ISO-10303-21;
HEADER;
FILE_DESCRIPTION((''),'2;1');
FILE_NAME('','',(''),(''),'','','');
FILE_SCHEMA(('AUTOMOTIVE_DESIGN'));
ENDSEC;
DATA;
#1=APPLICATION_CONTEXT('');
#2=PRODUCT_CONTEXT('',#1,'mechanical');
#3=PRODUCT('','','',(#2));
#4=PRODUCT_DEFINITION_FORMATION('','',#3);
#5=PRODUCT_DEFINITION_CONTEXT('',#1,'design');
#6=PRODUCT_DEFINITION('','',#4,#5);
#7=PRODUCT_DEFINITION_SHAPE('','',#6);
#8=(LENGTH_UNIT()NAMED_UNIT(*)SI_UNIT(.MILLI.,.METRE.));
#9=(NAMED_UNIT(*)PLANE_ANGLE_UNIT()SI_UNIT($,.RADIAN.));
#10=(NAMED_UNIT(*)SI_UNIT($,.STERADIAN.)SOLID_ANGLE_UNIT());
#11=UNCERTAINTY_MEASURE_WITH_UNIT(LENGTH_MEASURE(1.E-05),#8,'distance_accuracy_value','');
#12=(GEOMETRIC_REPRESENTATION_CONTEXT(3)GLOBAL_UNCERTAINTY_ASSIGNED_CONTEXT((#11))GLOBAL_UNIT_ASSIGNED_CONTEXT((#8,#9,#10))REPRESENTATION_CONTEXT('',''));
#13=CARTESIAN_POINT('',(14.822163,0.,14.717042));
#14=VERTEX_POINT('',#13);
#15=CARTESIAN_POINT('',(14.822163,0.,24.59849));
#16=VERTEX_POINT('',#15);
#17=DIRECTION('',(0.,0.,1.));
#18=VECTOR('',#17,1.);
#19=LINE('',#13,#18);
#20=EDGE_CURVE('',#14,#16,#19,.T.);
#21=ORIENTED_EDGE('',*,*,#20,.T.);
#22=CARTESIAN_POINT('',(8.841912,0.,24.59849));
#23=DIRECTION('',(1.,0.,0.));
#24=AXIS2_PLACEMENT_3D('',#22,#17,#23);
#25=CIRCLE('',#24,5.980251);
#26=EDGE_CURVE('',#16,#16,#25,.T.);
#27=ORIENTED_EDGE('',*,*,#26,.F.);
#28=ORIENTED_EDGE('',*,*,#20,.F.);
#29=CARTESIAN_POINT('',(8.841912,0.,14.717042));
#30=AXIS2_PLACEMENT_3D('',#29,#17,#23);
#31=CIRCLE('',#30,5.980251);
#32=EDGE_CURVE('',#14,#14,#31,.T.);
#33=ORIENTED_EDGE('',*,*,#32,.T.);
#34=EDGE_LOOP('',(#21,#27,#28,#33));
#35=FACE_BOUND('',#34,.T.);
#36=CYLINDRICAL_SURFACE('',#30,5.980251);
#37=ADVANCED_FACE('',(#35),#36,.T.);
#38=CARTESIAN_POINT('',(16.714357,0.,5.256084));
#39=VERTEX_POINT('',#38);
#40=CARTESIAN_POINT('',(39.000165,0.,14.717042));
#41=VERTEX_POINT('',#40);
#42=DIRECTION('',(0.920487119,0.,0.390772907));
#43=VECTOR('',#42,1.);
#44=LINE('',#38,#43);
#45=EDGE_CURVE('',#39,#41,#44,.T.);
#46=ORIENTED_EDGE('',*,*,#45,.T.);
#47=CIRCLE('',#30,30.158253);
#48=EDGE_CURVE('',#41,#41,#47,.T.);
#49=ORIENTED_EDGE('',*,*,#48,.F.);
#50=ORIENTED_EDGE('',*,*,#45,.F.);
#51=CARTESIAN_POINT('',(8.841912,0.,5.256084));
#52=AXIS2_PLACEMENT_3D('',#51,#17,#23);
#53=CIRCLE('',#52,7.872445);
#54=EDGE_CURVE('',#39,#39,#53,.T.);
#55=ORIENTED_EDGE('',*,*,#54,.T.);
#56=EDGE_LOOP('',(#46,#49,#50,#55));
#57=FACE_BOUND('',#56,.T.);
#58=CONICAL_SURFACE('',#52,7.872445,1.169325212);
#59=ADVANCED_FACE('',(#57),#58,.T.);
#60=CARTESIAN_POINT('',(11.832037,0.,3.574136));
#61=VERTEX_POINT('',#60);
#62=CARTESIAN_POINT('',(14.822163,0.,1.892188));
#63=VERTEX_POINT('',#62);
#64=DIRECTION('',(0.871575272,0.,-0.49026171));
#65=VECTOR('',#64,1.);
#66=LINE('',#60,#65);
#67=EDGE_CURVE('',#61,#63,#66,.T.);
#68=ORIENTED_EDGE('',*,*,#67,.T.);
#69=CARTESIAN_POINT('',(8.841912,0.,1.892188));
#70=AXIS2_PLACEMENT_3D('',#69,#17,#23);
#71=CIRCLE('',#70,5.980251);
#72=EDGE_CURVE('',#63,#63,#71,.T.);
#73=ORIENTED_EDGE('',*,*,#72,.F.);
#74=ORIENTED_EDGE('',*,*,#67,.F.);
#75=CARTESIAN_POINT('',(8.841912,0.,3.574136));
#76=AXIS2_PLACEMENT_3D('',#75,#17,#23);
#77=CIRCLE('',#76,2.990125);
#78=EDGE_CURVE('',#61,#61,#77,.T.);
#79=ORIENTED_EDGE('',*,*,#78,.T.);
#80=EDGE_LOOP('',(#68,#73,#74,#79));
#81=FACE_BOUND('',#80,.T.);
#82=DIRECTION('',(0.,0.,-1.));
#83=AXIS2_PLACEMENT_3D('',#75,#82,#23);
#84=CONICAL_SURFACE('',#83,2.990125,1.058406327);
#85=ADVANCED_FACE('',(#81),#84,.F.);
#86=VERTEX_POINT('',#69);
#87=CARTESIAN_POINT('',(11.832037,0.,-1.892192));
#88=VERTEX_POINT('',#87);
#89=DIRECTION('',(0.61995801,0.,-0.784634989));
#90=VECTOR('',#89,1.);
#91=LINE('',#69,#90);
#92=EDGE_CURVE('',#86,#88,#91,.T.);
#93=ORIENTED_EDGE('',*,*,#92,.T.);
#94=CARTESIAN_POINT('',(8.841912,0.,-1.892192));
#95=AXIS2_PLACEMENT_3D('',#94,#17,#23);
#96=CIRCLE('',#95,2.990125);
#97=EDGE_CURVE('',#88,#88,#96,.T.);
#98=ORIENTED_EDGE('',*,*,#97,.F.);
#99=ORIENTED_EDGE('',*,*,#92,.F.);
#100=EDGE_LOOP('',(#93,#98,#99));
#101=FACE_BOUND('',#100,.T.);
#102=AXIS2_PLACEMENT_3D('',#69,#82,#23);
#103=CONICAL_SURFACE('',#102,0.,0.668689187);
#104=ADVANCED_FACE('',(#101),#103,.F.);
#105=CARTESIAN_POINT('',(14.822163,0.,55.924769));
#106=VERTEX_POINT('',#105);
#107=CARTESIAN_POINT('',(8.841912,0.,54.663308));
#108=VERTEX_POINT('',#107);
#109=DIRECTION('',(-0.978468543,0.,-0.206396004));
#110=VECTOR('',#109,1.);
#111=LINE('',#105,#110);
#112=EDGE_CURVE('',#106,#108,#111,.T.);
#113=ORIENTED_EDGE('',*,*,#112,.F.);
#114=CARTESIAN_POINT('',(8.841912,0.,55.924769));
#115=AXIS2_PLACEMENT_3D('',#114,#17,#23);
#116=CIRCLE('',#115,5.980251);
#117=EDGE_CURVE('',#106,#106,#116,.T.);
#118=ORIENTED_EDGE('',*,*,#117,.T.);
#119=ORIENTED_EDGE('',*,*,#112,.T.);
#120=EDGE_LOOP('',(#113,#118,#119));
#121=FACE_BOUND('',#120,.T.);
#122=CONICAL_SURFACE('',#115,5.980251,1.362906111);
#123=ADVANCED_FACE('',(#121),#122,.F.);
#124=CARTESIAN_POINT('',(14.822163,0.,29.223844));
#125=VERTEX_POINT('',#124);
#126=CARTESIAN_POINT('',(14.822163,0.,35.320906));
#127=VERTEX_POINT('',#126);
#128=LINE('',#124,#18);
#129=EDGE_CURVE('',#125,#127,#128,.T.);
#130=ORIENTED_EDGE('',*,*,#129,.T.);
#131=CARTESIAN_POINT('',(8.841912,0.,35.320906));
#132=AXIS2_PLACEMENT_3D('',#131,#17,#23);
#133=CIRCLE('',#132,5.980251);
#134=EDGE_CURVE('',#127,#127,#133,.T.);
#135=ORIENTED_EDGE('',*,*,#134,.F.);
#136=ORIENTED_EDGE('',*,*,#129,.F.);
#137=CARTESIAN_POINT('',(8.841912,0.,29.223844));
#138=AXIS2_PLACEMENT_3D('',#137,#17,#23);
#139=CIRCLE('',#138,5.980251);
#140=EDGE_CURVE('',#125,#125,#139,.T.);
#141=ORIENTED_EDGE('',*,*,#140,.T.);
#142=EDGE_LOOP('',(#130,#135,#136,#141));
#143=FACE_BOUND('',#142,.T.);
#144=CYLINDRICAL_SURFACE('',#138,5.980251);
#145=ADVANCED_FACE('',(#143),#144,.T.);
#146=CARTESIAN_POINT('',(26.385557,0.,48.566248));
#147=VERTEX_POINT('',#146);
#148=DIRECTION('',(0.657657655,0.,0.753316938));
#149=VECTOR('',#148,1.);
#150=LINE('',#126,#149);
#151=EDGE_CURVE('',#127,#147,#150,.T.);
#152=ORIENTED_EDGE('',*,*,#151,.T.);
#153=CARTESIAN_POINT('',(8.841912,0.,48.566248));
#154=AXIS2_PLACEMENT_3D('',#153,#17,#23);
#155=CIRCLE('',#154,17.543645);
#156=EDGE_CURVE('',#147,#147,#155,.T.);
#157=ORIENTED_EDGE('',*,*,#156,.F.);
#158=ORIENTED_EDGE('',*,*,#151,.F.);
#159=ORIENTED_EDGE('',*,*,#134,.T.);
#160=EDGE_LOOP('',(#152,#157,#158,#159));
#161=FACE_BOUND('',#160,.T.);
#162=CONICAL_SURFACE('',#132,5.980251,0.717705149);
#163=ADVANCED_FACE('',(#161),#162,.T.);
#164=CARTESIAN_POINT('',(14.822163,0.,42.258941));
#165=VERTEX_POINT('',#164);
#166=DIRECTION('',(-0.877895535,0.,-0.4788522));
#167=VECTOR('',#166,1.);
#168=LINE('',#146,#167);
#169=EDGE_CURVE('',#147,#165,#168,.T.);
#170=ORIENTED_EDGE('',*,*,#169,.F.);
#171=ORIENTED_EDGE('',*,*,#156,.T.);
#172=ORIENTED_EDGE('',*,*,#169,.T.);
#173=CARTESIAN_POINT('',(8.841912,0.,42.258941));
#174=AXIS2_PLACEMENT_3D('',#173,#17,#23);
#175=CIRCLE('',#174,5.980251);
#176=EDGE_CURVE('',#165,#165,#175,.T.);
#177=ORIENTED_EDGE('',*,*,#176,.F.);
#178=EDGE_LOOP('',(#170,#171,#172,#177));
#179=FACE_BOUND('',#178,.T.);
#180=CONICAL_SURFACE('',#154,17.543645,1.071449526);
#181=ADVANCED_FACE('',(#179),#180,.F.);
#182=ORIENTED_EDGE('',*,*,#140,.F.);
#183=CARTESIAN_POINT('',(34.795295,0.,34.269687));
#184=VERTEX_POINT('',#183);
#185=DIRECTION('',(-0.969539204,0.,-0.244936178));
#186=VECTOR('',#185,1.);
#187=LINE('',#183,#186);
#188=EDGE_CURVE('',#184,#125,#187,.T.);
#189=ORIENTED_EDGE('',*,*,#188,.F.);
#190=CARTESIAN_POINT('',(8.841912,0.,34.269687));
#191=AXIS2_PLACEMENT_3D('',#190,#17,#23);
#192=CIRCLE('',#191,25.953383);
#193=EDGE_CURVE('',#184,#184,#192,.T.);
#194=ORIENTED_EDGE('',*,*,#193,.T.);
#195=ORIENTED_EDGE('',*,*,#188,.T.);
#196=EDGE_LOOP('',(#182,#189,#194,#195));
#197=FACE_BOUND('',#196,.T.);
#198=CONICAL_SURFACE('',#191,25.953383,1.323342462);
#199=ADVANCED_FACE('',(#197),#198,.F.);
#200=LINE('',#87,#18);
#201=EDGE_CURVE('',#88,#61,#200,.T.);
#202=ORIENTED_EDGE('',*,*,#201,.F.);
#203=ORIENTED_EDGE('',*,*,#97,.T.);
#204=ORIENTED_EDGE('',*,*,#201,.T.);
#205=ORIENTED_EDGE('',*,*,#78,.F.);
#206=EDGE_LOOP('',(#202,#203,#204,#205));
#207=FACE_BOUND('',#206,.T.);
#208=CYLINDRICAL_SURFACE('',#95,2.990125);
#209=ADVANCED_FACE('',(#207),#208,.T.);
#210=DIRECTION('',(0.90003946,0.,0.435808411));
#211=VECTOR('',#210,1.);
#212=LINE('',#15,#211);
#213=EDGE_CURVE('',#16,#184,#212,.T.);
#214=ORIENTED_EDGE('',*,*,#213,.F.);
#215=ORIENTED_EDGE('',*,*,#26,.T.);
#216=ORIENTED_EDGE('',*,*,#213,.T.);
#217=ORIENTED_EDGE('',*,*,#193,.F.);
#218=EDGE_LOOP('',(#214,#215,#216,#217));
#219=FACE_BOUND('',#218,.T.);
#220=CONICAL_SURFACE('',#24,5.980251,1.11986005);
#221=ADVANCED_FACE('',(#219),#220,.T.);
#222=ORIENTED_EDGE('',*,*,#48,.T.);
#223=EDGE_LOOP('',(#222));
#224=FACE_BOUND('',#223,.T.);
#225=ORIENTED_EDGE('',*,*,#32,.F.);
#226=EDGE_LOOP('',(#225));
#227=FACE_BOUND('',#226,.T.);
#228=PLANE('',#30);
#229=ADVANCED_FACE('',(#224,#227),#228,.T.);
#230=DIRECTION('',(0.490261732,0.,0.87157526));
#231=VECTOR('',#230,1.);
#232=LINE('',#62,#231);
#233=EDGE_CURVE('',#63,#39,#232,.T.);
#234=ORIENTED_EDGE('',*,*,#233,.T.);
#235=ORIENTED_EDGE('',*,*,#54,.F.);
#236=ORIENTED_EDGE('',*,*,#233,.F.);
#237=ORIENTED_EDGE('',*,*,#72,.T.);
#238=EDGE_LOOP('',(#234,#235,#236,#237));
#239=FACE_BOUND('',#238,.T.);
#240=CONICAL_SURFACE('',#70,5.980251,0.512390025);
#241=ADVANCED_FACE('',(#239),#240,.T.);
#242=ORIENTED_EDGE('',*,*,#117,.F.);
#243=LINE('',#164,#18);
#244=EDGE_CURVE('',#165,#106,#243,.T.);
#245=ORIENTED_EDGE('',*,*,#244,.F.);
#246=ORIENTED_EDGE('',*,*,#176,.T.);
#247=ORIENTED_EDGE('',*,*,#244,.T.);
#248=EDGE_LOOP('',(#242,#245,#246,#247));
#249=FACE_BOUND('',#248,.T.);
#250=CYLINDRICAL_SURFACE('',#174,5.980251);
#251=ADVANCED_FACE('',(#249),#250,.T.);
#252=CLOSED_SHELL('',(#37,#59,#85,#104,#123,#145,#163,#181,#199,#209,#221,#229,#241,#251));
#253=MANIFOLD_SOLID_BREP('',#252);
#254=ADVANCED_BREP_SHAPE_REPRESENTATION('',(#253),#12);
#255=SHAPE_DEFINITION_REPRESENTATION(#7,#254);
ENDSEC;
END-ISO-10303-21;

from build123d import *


with BuildPart() as f1:
    # F0 (on Front) → F1 (revolve)
    with BuildSketch(Plane.XZ):
        Polygon((11.832037, -1.892192), (11.832037, 3.574136), (8.841912, 1.892188), align=None)
        Polygon((26.385557, 48.566248), (14.822163, 42.258941), (14.822163, 35.320906), align=None)
        Polygon((34.795295, 34.269687), (14.822163, 29.223844), (14.822163, 24.59849), align=None)
        Polygon((11.832037, 3.574136), (8.841912, 5.256084), (8.841912, 1.892188), align=None)
        Polygon((14.822163, 42.258941), (14.822163, 55.924769), (8.841912, 54.663308), (8.841912, 5.256084), (11.832037, 3.574136), (14.822163, 1.892188), (16.714357, 5.256084), (39.000165, 14.717042), (14.822163, 14.717042), (14.822163, 24.59849), (14.822163, 29.223844), (14.822163, 35.320906), align=None)
    revolve(axis=Axis((8.841912, 0, 29.959696), (0, 0, 1)))


solid = f1.part
